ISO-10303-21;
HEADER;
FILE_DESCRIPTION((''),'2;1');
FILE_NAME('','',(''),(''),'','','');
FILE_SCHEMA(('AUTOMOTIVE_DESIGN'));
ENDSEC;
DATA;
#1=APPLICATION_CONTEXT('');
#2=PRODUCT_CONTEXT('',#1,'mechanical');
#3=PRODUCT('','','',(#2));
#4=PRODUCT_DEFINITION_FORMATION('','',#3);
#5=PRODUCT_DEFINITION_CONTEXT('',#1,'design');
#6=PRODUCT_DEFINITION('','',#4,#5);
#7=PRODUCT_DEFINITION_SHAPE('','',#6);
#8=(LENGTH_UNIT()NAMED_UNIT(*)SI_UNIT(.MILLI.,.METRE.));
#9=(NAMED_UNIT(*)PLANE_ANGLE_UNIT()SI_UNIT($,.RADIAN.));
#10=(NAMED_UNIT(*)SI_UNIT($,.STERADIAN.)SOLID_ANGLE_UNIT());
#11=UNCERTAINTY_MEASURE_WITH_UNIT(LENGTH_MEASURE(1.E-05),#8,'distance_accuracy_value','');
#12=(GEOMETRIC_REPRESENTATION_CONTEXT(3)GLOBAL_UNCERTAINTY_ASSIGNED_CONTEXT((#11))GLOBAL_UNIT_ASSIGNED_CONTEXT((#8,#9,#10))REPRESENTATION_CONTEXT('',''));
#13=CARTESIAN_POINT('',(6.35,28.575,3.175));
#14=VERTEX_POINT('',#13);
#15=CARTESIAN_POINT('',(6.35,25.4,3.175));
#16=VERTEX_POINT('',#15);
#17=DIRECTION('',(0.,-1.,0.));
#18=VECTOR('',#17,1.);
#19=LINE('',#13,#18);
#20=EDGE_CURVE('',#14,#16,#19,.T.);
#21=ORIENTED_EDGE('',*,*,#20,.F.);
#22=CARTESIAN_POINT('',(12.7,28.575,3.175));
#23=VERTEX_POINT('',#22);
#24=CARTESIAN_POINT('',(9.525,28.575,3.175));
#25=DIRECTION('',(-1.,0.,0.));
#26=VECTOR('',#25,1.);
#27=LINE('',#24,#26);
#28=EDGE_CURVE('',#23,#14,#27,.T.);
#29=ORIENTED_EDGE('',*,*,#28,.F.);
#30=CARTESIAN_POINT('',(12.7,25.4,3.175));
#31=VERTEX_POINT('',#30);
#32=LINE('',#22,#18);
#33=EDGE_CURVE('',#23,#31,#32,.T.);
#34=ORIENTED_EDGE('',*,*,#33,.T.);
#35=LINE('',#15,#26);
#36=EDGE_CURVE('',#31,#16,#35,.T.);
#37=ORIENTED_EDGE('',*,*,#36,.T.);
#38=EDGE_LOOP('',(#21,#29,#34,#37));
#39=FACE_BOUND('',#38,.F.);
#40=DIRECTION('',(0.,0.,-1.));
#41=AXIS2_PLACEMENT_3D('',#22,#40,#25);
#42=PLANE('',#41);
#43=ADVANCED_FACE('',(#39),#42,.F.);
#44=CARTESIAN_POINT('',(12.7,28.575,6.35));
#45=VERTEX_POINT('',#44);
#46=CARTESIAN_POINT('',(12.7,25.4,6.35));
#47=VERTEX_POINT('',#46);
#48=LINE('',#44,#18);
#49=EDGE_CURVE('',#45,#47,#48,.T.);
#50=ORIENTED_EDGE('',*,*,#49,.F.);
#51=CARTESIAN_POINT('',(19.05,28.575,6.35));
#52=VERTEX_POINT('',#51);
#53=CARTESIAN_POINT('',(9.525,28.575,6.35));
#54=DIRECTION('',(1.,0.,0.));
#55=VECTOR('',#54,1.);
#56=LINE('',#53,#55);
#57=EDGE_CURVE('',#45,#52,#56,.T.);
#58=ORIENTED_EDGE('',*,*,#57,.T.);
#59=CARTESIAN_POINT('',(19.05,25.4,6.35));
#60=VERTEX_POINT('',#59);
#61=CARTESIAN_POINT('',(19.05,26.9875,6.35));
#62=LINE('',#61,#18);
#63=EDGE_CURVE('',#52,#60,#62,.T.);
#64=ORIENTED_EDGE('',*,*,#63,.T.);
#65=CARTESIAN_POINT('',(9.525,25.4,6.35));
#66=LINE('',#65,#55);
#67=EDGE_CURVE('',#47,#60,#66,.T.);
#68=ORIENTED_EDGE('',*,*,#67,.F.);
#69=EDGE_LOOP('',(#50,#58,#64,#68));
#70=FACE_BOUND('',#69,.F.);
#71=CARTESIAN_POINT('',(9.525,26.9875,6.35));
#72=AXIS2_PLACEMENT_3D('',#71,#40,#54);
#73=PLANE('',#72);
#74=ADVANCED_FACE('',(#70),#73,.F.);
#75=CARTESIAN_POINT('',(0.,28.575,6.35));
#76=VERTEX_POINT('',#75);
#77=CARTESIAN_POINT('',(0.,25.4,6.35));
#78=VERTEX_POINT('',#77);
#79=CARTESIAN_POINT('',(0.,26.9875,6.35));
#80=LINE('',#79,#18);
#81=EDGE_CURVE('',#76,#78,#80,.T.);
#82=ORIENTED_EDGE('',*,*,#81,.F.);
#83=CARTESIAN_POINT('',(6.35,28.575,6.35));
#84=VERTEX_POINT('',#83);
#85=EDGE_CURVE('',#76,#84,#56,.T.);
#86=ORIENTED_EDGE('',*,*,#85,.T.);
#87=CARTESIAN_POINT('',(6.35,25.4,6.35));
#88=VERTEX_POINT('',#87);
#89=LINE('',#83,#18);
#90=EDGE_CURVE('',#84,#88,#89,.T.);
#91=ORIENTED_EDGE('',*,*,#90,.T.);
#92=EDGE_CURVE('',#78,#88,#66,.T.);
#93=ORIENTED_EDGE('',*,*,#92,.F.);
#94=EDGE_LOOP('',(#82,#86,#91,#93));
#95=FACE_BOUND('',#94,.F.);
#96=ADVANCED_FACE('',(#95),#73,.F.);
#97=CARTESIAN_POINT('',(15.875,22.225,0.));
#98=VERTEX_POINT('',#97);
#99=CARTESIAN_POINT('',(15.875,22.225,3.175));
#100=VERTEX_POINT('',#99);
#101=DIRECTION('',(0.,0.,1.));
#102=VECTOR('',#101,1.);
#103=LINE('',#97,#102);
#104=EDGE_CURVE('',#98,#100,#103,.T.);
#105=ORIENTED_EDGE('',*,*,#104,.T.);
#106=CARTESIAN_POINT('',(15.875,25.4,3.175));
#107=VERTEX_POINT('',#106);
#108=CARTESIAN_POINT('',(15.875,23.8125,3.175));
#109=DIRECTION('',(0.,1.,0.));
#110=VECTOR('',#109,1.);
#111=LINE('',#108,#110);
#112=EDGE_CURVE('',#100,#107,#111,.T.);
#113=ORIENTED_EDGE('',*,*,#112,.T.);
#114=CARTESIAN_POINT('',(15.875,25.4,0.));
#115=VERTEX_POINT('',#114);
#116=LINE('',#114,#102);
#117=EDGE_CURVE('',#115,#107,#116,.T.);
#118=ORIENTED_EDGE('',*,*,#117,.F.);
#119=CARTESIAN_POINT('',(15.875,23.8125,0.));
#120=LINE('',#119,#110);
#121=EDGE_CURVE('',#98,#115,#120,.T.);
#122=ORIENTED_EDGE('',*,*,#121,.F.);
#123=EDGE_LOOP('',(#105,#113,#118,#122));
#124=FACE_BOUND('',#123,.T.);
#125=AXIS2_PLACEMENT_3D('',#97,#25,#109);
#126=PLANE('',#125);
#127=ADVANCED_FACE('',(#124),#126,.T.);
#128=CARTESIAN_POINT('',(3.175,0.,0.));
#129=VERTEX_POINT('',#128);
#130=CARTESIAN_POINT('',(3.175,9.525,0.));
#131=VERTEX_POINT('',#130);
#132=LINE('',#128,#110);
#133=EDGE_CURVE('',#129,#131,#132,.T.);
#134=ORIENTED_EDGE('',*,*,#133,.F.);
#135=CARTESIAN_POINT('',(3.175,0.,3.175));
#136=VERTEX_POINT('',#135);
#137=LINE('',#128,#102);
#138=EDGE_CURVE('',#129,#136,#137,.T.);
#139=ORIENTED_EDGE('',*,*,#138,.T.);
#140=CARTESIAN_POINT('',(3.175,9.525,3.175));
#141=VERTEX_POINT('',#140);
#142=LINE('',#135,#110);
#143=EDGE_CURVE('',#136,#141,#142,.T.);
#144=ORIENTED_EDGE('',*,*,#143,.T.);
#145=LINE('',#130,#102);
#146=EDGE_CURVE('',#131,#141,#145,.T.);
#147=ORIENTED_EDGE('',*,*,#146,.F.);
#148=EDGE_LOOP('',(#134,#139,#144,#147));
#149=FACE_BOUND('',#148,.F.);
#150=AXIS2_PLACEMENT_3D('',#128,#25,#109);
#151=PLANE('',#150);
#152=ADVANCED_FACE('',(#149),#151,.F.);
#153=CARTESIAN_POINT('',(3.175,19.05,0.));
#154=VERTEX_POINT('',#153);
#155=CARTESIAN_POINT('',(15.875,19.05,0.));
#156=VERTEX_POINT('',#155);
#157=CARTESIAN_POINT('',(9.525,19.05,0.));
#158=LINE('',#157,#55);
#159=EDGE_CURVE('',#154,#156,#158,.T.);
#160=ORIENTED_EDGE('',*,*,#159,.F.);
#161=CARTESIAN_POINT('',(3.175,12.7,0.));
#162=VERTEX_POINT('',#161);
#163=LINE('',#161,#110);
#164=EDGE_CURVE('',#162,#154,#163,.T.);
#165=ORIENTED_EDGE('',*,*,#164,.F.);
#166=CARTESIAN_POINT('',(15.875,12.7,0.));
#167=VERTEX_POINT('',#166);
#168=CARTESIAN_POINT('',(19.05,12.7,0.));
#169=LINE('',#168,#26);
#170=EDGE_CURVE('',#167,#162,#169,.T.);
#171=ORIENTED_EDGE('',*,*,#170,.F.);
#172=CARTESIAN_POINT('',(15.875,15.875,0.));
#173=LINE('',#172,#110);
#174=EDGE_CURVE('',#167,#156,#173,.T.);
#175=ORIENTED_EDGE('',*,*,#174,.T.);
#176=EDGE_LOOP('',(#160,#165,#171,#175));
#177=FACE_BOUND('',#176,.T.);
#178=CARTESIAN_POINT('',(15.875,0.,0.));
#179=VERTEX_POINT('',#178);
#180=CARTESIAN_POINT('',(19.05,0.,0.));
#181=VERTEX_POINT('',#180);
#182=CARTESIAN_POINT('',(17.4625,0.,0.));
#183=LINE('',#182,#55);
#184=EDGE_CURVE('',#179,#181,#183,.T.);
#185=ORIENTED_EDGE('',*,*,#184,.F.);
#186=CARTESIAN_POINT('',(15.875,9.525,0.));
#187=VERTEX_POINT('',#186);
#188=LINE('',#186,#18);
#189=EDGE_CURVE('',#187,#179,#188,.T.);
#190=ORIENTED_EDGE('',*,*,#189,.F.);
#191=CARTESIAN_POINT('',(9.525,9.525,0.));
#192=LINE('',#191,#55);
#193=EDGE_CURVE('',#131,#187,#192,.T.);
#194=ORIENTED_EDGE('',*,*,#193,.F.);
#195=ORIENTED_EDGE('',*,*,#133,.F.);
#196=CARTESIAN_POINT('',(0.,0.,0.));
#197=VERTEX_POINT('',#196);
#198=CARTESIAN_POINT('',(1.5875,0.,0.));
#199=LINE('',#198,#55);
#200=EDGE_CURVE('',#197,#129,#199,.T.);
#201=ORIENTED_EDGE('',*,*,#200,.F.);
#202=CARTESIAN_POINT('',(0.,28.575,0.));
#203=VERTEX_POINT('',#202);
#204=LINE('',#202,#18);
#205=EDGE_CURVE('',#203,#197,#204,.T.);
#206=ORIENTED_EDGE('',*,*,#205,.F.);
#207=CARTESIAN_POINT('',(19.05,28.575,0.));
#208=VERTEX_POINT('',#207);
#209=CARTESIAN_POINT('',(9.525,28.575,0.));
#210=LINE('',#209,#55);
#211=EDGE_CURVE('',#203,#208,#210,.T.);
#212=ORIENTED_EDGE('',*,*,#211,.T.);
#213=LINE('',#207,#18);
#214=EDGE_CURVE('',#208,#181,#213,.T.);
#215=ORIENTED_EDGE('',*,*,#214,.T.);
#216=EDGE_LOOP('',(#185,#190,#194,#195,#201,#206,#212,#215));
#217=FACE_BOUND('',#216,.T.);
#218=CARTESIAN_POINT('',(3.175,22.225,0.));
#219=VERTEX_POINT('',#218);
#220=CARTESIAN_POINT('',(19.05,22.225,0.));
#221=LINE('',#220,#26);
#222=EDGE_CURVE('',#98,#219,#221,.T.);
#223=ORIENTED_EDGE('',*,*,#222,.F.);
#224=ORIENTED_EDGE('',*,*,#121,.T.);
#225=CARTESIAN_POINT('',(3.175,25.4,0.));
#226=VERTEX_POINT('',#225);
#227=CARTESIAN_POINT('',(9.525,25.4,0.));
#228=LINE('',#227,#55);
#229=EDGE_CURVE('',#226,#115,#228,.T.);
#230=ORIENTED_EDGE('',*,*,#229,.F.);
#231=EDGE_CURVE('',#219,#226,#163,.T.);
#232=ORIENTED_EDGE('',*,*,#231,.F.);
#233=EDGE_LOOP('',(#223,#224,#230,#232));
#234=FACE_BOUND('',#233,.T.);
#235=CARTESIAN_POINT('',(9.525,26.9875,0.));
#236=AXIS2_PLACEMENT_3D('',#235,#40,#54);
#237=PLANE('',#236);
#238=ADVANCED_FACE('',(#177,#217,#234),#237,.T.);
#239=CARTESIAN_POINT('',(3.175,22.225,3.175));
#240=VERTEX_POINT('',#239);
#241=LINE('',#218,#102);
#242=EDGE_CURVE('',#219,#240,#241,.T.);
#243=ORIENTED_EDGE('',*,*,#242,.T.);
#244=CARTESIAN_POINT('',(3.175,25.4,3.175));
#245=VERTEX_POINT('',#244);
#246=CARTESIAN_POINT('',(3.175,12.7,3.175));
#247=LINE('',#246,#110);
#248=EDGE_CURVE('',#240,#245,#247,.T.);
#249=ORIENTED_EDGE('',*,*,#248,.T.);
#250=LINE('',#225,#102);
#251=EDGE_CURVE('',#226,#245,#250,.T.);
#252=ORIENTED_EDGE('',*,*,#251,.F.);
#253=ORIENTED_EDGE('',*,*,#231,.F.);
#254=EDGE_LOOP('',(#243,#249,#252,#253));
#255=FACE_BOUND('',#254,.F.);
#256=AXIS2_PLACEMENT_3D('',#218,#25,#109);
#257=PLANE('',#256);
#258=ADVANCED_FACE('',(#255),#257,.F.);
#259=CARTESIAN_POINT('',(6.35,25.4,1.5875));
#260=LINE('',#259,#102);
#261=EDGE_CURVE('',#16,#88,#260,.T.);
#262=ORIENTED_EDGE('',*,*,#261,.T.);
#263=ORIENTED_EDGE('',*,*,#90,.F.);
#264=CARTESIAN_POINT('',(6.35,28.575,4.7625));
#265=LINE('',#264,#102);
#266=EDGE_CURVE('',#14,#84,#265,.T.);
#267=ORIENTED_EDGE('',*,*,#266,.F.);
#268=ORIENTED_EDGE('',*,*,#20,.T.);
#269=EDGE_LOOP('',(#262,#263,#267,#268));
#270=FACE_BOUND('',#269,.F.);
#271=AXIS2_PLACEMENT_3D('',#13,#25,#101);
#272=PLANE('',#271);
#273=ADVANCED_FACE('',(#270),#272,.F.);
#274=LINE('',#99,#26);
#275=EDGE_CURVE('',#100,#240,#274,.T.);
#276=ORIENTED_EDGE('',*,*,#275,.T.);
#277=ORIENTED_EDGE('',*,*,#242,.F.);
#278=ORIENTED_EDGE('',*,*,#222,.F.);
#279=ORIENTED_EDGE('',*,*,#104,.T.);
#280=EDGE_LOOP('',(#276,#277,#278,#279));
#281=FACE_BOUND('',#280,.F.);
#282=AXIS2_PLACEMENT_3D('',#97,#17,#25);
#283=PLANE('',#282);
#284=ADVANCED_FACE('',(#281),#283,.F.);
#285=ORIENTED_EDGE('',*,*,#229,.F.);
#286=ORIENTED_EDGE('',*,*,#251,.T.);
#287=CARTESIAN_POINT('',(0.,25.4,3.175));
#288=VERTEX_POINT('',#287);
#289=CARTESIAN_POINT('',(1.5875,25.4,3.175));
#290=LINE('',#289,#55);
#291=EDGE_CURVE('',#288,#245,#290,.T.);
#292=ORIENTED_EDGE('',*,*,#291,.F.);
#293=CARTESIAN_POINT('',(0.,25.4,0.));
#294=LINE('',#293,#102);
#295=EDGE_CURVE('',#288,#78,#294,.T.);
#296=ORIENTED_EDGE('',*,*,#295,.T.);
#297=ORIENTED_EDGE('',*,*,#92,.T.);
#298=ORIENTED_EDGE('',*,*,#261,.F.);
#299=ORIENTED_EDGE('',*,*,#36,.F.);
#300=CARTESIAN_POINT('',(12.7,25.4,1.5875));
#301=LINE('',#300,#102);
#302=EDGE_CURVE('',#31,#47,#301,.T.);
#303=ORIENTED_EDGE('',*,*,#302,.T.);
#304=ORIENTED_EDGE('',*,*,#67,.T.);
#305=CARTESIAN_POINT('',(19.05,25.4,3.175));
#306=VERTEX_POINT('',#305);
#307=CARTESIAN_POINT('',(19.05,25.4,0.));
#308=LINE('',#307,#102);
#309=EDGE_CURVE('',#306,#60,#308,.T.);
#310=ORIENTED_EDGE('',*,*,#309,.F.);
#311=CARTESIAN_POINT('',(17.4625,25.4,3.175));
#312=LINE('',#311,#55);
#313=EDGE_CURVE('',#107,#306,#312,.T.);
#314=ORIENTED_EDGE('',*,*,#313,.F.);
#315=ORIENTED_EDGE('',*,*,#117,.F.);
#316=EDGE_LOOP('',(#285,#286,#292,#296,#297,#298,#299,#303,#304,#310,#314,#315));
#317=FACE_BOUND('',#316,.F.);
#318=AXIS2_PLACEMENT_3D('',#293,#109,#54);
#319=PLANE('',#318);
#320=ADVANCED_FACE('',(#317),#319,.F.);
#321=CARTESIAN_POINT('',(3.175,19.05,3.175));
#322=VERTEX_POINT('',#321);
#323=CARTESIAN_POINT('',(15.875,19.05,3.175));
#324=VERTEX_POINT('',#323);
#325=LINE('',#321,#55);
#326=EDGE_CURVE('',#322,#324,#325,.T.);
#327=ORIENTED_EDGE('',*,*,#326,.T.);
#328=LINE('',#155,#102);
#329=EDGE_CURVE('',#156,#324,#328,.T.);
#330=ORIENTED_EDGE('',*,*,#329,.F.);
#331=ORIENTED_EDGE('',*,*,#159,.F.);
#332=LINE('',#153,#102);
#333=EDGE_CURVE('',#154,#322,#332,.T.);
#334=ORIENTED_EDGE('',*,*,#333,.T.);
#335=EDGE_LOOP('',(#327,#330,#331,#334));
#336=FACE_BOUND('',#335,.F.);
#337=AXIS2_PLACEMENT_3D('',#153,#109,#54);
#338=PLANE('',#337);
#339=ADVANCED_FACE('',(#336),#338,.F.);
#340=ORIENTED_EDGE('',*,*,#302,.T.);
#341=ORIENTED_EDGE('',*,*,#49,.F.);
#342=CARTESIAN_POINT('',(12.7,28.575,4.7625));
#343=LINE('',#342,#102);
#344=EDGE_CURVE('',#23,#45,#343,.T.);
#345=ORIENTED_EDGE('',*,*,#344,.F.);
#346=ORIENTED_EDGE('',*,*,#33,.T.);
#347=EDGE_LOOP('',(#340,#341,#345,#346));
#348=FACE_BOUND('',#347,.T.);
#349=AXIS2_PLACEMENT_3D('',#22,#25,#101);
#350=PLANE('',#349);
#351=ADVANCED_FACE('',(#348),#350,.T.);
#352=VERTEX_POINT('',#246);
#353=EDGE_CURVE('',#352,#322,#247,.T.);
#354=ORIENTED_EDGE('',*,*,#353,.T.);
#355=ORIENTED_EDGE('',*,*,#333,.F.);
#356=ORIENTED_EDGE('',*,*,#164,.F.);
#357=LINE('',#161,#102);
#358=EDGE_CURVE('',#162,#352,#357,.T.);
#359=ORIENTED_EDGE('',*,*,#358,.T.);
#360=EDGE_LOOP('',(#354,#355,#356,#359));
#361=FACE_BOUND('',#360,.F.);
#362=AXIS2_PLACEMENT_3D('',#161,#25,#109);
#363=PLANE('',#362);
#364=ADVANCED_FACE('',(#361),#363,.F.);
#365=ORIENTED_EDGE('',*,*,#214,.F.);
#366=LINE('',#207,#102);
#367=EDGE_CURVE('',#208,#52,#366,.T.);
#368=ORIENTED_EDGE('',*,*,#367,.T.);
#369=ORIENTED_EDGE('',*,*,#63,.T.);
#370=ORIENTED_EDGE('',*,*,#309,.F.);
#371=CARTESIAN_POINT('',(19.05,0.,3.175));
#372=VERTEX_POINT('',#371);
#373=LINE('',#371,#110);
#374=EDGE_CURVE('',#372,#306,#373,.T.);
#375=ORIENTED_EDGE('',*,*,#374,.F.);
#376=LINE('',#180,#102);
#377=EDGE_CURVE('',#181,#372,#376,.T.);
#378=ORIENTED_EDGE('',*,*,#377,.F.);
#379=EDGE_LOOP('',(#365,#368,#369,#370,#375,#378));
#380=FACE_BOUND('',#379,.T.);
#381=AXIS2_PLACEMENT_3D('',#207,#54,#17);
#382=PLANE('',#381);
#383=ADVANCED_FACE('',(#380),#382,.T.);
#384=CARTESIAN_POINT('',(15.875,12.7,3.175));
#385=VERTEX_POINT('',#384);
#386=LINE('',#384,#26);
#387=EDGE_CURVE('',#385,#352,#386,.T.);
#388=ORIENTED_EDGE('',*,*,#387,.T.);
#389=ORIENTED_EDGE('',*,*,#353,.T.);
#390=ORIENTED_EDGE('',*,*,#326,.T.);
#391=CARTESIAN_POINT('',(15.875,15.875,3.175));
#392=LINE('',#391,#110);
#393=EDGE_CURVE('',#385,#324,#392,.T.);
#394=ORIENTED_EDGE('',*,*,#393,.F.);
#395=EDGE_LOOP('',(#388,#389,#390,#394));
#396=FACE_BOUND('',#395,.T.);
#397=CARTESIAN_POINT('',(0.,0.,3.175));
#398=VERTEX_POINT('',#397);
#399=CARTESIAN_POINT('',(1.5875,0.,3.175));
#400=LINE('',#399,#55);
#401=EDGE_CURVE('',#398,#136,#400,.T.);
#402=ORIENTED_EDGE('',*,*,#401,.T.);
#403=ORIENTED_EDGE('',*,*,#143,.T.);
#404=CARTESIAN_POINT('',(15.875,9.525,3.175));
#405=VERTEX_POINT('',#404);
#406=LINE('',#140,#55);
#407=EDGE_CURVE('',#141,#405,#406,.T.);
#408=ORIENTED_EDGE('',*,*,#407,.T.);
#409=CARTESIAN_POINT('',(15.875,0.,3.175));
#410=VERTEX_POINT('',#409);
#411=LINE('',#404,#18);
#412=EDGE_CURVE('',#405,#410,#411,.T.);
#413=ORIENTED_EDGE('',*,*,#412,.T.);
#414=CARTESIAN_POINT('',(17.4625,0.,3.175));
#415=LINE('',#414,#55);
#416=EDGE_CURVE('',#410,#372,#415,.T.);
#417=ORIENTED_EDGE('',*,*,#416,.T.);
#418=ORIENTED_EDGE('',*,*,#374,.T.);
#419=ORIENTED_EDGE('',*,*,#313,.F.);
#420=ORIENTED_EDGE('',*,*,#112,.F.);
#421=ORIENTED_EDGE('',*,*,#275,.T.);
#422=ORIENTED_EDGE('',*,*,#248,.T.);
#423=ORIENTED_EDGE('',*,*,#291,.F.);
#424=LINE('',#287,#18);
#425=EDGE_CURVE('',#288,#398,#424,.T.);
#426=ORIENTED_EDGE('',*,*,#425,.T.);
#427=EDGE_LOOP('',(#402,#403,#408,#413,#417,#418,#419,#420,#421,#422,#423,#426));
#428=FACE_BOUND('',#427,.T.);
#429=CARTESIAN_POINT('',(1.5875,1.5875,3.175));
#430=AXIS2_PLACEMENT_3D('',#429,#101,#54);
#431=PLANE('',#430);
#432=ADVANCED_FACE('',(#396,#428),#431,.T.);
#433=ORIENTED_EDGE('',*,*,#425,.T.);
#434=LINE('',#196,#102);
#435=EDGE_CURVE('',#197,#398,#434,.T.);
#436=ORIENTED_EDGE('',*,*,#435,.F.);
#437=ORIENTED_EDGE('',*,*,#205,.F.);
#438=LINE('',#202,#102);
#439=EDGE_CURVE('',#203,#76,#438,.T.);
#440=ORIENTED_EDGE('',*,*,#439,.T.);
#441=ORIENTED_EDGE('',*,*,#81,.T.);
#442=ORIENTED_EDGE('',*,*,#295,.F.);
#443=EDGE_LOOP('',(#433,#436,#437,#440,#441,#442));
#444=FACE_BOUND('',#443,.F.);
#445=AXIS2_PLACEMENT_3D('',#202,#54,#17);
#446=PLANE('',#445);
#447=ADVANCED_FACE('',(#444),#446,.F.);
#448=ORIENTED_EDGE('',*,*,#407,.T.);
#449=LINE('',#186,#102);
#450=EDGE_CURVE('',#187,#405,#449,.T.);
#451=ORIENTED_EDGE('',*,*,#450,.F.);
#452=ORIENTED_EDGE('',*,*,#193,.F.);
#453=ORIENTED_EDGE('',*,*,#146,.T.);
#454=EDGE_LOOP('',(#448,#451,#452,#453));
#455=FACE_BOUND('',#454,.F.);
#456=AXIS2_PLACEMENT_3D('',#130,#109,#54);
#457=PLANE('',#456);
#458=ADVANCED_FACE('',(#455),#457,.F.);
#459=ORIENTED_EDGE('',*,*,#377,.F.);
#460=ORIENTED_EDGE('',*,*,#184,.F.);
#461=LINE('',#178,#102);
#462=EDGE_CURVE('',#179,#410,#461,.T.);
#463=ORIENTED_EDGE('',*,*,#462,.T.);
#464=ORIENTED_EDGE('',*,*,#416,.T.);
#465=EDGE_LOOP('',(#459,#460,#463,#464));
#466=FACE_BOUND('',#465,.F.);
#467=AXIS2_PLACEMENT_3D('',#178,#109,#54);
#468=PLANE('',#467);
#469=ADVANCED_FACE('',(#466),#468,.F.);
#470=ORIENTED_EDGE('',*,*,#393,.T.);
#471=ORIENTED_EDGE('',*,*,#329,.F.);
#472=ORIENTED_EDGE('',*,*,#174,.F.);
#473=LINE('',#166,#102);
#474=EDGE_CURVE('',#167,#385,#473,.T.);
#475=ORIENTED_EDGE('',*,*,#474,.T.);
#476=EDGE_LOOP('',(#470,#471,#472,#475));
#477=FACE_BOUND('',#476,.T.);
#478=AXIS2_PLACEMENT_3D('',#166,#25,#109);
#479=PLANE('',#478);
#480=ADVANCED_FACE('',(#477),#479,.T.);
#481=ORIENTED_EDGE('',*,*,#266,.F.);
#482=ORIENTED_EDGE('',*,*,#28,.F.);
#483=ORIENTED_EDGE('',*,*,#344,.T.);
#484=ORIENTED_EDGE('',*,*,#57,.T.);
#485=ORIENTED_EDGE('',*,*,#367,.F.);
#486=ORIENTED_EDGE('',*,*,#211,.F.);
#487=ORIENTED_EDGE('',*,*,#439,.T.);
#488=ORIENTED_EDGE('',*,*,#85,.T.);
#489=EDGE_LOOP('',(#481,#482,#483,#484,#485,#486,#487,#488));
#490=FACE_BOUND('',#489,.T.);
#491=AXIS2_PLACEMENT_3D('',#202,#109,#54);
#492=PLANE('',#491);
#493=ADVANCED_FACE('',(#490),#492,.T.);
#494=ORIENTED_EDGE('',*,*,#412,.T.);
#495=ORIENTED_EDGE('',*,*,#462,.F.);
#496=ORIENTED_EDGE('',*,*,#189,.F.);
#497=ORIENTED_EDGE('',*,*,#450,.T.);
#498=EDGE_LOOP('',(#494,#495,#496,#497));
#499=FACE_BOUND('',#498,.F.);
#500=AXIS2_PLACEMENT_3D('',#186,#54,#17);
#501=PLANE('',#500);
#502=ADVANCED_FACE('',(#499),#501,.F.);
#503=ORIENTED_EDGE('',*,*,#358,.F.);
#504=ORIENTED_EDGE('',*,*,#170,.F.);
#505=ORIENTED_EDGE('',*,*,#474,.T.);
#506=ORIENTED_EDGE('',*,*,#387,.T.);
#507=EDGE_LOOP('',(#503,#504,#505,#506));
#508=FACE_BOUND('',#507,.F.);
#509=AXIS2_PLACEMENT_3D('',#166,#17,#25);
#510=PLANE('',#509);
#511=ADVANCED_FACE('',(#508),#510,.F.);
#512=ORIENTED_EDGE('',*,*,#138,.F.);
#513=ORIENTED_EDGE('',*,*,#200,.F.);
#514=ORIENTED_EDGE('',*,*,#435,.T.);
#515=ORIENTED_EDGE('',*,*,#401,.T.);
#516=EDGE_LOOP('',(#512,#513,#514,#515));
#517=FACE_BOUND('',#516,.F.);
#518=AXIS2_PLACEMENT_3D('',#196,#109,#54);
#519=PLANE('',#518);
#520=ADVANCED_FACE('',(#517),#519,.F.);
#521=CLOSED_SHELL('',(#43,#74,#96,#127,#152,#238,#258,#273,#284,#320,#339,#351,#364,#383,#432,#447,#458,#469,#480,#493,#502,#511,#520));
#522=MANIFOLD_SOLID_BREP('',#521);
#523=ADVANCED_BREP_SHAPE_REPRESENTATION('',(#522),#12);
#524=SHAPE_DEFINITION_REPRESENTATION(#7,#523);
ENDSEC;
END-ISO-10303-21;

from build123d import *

# Parameters (mm, degrees)
F0_W     = 3.175
F0_H     = 3.175
F0_H_2   = 6.35
F0_W_2   = 12.7
F1_DEPTH = 3.175
F2_W     = 19.05
F2_H     = 3.175
F3_DEPTH = 6.35
F4_W     = 6.35
F4_H     = 3.175
F5_DEPTH = 25.4


with BuildPart() as f1:
    # F0 (on Top) → F1 (new body)
    with BuildSketch(Plane.XY):
        with Locations((1.5875, 1.5875)):
            Rectangle(F0_W, F0_H)
        with Locations((1.5875, 6.35)):
            Rectangle(F0_W, F0_H_2)
        with Locations((1.5875, 11.1125)):
            Rectangle(F0_W, F0_H)
        with Locations((1.5875, 15.875)):
            Rectangle(F0_W, F0_H_2)
        with Locations((9.525, 11.1125)):
            Rectangle(F0_W_2, F0_H)
        with Locations((1.5875, 20.6375)):
            Rectangle(F0_W, F0_H)
        with Locations((17.4625, 6.35)):
            Rectangle(F0_W, F0_H_2)
        with Locations((17.4625, 11.1125)):
            Rectangle(F0_W, F0_H)
        with Locations((1.5875, 23.8125)):
            Rectangle(F0_W, F0_H)
        with Locations((9.525, 20.6375)):
            Rectangle(F0_W_2, F0_H)
        with Locations((17.4625, 15.875)):
            Rectangle(F0_W, F0_H_2)
        with Locations((17.4625, 1.5875)):
            Rectangle(F0_W, F0_H)
        with Locations((17.4625, 20.6375)):
            Rectangle(F0_W, F0_H)
        with Locations((17.4625, 23.8125)):
            Rectangle(F0_W, F0_H)
    extrude(amount=F1_DEPTH)

    # F2 (on face) → F3 (join)
    with BuildSketch(Plane(origin=(0, 0, 0), x_dir=(1, 0, 0), z_dir=(0, 0, -1))):
        with Locations((9.525, -26.9875)):
            Rectangle(F2_W, F2_H)
    extrude(amount=-F3_DEPTH)

    # F4 (on face) → F5 (cut)
    with BuildSketch(Plane(origin=(0, 28.575, 0), x_dir=(-1, 0, 0), z_dir=(0, 1, 0))):
        with Locations((-9.525, 4.7625)):
            Rectangle(F4_W, F4_H)
    extrude(amount=-F5_DEPTH, mode=Mode.SUBTRACT)


solid = f1.part
